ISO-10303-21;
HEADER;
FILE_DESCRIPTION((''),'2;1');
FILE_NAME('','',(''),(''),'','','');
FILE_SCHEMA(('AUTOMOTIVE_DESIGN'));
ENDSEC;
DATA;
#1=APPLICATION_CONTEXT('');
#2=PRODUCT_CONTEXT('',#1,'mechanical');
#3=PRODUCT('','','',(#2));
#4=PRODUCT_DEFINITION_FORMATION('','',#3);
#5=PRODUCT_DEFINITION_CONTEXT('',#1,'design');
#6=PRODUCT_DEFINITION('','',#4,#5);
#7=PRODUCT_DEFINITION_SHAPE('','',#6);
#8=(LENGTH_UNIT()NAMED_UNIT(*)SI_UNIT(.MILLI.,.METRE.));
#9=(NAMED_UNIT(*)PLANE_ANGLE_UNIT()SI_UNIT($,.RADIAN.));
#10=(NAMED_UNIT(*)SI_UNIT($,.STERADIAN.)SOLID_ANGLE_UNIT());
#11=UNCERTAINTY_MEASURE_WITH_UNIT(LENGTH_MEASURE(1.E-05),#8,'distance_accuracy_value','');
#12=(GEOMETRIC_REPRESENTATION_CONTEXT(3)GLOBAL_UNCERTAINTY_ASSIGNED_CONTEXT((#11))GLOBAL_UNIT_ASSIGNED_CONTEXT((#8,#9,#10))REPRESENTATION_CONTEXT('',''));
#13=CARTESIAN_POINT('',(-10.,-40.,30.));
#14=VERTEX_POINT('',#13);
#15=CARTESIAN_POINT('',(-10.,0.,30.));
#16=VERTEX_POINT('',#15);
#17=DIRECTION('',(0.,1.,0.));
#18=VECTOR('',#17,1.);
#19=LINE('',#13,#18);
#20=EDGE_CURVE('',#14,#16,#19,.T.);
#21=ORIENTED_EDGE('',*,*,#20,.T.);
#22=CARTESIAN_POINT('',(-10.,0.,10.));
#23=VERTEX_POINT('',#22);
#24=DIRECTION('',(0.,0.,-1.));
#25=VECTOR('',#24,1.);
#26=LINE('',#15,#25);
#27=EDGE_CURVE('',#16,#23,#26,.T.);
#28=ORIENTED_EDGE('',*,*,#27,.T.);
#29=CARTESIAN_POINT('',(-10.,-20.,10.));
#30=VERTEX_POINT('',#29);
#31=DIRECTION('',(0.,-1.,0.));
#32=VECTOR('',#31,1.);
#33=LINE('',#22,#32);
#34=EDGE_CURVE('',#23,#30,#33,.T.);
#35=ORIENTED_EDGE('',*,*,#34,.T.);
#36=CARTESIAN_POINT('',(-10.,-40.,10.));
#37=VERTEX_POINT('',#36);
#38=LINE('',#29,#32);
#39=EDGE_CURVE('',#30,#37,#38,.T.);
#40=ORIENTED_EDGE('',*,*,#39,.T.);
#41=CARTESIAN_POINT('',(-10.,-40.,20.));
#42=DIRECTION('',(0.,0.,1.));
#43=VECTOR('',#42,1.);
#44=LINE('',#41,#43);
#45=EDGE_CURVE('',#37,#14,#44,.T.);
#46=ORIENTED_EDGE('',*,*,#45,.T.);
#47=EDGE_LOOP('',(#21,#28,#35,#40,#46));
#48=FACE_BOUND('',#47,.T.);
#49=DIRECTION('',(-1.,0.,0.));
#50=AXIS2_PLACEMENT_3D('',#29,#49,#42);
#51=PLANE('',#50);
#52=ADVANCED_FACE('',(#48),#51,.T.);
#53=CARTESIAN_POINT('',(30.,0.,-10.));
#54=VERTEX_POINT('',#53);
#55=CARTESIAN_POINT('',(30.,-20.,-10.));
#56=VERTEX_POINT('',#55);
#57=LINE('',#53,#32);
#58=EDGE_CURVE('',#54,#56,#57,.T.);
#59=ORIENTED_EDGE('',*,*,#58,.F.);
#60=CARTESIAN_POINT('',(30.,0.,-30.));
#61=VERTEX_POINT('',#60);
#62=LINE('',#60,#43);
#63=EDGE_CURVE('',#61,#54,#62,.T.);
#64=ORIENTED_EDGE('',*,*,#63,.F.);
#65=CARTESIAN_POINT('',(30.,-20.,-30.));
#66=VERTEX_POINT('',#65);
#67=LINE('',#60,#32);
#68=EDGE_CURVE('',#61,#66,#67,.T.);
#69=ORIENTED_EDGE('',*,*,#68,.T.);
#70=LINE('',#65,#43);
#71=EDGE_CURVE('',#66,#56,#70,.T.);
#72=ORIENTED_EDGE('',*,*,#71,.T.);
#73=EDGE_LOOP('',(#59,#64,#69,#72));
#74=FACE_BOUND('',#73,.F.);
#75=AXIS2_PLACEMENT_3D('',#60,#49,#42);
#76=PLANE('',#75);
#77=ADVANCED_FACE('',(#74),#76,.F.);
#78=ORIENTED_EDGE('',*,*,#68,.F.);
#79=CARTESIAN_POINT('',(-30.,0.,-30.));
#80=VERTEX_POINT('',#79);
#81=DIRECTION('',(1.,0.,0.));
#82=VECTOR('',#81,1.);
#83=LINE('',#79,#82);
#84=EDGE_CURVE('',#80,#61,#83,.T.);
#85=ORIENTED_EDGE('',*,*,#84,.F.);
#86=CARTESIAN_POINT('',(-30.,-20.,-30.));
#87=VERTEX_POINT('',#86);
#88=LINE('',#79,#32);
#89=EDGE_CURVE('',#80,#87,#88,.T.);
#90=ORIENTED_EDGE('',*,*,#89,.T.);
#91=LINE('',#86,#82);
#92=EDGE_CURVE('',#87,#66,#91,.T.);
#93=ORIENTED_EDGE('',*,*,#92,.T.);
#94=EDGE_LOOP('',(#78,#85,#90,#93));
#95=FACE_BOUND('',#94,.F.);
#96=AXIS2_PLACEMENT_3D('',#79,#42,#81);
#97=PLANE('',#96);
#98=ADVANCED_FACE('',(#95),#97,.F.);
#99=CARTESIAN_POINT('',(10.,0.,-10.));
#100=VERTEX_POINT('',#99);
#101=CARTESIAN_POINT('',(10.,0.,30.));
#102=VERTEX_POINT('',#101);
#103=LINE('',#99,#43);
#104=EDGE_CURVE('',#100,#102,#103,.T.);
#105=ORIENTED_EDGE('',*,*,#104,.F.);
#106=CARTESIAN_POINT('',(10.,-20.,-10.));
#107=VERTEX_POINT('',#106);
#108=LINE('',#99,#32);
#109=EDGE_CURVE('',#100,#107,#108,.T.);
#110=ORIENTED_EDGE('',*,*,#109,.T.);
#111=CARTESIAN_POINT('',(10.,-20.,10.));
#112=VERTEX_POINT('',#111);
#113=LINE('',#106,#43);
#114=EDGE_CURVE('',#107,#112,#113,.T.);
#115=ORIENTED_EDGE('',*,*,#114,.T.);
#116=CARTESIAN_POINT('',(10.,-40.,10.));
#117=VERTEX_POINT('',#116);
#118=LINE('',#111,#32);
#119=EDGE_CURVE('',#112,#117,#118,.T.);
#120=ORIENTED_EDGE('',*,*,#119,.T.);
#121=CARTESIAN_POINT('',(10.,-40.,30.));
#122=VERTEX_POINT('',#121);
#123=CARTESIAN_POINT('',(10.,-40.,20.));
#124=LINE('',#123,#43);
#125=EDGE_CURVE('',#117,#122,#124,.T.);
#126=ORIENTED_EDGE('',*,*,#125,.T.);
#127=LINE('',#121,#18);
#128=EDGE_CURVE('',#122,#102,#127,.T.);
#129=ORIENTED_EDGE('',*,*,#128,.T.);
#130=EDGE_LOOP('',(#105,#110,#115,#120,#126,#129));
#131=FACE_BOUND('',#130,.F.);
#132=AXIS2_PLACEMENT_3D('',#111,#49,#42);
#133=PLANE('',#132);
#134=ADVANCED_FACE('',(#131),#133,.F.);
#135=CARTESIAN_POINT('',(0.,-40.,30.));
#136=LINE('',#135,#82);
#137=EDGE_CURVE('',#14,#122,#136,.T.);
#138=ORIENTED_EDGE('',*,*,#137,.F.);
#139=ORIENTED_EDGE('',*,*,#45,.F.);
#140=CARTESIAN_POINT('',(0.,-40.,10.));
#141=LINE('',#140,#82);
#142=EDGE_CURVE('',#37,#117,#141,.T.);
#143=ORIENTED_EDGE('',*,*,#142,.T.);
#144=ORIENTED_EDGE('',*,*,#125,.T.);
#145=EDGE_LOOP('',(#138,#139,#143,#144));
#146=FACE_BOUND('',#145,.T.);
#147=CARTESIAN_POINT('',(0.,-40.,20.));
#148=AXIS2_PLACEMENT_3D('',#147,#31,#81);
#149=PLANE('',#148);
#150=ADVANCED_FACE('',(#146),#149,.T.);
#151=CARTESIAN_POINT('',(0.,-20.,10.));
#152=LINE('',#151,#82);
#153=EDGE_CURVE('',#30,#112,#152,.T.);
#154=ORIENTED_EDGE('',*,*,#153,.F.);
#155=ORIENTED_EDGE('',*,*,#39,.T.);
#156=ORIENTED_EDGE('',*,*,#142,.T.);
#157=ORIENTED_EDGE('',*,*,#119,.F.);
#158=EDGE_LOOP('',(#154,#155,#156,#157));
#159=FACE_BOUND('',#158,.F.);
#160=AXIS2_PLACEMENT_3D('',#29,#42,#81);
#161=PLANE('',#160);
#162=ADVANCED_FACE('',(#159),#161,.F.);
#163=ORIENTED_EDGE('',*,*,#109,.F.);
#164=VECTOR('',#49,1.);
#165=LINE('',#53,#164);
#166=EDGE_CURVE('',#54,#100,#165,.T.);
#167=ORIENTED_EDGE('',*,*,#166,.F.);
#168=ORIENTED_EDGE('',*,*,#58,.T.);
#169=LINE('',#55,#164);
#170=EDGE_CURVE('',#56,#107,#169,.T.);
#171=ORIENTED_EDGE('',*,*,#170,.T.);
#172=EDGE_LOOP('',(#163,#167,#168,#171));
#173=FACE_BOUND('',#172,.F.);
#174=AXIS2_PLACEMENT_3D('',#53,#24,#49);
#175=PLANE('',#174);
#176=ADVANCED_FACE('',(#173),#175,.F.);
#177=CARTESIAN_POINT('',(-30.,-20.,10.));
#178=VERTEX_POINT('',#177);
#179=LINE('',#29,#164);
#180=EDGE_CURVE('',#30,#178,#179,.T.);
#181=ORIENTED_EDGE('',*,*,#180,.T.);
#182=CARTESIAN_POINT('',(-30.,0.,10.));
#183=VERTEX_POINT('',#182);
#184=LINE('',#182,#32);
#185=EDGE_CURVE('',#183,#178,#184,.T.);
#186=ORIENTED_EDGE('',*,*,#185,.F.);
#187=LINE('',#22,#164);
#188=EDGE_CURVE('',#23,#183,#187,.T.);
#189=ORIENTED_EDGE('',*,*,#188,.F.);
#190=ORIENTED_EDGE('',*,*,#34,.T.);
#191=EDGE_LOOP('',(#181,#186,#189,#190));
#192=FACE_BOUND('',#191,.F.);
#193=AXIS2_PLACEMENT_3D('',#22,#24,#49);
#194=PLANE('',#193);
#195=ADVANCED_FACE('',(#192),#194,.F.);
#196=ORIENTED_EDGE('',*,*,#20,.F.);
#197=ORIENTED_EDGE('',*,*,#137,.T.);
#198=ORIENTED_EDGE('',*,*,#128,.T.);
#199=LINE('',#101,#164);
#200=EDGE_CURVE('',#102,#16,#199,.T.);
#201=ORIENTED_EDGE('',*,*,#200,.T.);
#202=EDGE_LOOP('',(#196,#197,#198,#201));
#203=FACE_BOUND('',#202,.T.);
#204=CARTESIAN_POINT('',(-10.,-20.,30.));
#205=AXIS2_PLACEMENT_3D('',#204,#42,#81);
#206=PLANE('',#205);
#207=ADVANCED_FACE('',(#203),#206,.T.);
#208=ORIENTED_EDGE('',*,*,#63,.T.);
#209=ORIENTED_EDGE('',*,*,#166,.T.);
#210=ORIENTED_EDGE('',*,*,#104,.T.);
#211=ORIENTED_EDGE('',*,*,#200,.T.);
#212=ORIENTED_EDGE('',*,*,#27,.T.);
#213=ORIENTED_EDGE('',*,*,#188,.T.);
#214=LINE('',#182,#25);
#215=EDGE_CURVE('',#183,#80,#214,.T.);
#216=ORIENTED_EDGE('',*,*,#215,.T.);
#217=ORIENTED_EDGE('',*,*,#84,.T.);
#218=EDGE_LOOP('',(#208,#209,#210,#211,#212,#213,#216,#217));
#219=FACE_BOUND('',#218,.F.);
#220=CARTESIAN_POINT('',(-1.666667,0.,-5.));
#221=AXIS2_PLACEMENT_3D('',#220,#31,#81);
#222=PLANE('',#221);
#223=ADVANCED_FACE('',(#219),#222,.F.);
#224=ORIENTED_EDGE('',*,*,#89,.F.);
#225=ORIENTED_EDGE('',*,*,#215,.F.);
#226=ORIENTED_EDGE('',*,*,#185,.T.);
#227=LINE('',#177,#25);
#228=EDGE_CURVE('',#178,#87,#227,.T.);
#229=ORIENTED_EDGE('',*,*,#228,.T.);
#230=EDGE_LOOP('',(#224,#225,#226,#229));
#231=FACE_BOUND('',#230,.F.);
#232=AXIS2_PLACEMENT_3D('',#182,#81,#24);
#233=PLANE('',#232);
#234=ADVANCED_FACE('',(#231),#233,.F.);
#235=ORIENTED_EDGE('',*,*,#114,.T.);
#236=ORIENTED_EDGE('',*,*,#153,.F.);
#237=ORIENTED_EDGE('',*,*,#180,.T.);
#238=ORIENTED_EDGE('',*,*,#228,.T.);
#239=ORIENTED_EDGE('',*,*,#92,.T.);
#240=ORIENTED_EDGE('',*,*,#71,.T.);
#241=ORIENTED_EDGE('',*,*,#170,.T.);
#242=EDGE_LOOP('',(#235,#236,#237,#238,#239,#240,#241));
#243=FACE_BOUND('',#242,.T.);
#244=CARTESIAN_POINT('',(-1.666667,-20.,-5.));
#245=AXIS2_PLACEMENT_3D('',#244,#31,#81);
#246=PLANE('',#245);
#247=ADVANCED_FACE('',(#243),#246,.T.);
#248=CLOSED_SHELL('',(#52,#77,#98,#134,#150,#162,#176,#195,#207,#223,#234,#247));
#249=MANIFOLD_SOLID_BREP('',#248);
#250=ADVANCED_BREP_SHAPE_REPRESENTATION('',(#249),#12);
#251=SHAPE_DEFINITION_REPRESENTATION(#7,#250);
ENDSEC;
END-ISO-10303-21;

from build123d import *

# Parameters (mm, degrees)
F1_DEPTH = 20
F2_W     = 20
F2_H     = 20
F3_DEPTH = 20


with BuildPart() as f1:
    # F0 (on Front) → F1 (new body)
    with BuildSketch(Plane.XZ):
        Polygon((10, 30), (-10, 30), (-10, 10), (-30, 10), (-30, -30), (30, -30), (30, -10), (10, -10), align=None)
    extrude(amount=F1_DEPTH)

    # F2 (on face) → F3 (join)
    with BuildSketch(Plane.XZ.offset(20)):
        with Locations((0, 20)):
            Rectangle(F2_W, F2_H)
    extrude(amount=F3_DEPTH)


solid = f1.part
